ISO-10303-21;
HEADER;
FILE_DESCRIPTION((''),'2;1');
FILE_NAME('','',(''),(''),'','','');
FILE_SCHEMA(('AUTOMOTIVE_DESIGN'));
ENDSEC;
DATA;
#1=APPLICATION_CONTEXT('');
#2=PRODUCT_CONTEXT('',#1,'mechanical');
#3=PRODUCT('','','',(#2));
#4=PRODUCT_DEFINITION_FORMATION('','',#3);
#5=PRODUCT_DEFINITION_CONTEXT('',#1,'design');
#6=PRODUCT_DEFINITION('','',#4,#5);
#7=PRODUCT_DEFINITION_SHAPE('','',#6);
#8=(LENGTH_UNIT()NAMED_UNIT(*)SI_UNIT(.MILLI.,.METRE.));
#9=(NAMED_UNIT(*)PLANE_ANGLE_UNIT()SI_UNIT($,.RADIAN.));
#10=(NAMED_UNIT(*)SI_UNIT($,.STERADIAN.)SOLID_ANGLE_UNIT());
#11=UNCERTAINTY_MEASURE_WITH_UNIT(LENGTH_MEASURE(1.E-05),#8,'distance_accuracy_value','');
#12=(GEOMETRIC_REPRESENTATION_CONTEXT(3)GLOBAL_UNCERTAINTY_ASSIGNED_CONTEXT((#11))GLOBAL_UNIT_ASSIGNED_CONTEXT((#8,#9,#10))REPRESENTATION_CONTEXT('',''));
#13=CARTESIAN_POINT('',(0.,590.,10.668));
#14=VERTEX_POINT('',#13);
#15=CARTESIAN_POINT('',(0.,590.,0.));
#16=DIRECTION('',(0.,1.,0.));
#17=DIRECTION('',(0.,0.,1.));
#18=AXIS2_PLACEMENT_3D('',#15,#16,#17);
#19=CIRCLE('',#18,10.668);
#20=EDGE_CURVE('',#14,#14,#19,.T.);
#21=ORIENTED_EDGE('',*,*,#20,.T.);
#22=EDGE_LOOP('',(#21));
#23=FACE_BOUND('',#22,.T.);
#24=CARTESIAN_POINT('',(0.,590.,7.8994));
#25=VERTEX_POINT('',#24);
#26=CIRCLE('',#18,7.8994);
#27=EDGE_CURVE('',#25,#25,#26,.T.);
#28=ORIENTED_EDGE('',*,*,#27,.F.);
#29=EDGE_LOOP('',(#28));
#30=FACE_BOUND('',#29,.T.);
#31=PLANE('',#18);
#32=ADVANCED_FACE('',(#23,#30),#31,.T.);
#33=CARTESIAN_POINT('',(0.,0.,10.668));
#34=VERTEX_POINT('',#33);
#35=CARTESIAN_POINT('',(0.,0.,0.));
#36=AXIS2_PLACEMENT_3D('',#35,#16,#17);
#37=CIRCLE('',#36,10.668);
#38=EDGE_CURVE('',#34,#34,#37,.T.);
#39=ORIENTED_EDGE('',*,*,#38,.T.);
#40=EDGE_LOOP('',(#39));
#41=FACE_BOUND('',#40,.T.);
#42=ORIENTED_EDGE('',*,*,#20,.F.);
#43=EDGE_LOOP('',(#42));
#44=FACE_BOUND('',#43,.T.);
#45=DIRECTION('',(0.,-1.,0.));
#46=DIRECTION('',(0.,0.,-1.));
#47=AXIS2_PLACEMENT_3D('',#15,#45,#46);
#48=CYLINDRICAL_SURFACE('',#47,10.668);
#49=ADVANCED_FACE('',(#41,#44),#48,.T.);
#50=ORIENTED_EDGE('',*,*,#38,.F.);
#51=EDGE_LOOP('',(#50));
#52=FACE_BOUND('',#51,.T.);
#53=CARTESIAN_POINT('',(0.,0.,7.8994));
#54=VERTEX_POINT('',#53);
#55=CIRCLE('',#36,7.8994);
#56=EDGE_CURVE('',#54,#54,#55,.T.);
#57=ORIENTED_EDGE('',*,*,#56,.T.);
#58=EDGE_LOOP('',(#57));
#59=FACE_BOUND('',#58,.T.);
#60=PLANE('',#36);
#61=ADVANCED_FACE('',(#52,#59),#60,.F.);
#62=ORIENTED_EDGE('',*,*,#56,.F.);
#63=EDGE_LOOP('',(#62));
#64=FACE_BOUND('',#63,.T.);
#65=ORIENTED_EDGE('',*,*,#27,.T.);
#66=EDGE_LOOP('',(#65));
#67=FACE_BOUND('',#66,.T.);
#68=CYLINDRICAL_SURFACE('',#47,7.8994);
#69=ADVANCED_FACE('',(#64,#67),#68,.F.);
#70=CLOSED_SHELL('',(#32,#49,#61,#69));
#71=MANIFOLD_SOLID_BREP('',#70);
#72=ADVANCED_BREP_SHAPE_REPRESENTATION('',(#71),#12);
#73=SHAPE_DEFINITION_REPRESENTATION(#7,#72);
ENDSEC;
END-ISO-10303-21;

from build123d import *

# Parameters (mm, degrees)
SKETCH1_R           = 10.668
SKETCH1_R_2         = 7.8994
BOSS_EXTRUDE1_DEPTH = 590


with BuildPart() as part:
    # Sketch1 → Boss-Extrude1 (new body)
    with BuildSketch(Plane(origin=(0, 0, 0), x_dir=(1, 0, 0), z_dir=(0, 1, 0))):
        Circle(SKETCH1_R)
        Circle(SKETCH1_R_2, mode=Mode.SUBTRACT)
    extrude(amount=BOSS_EXTRUDE1_DEPTH)


solid = part.part
